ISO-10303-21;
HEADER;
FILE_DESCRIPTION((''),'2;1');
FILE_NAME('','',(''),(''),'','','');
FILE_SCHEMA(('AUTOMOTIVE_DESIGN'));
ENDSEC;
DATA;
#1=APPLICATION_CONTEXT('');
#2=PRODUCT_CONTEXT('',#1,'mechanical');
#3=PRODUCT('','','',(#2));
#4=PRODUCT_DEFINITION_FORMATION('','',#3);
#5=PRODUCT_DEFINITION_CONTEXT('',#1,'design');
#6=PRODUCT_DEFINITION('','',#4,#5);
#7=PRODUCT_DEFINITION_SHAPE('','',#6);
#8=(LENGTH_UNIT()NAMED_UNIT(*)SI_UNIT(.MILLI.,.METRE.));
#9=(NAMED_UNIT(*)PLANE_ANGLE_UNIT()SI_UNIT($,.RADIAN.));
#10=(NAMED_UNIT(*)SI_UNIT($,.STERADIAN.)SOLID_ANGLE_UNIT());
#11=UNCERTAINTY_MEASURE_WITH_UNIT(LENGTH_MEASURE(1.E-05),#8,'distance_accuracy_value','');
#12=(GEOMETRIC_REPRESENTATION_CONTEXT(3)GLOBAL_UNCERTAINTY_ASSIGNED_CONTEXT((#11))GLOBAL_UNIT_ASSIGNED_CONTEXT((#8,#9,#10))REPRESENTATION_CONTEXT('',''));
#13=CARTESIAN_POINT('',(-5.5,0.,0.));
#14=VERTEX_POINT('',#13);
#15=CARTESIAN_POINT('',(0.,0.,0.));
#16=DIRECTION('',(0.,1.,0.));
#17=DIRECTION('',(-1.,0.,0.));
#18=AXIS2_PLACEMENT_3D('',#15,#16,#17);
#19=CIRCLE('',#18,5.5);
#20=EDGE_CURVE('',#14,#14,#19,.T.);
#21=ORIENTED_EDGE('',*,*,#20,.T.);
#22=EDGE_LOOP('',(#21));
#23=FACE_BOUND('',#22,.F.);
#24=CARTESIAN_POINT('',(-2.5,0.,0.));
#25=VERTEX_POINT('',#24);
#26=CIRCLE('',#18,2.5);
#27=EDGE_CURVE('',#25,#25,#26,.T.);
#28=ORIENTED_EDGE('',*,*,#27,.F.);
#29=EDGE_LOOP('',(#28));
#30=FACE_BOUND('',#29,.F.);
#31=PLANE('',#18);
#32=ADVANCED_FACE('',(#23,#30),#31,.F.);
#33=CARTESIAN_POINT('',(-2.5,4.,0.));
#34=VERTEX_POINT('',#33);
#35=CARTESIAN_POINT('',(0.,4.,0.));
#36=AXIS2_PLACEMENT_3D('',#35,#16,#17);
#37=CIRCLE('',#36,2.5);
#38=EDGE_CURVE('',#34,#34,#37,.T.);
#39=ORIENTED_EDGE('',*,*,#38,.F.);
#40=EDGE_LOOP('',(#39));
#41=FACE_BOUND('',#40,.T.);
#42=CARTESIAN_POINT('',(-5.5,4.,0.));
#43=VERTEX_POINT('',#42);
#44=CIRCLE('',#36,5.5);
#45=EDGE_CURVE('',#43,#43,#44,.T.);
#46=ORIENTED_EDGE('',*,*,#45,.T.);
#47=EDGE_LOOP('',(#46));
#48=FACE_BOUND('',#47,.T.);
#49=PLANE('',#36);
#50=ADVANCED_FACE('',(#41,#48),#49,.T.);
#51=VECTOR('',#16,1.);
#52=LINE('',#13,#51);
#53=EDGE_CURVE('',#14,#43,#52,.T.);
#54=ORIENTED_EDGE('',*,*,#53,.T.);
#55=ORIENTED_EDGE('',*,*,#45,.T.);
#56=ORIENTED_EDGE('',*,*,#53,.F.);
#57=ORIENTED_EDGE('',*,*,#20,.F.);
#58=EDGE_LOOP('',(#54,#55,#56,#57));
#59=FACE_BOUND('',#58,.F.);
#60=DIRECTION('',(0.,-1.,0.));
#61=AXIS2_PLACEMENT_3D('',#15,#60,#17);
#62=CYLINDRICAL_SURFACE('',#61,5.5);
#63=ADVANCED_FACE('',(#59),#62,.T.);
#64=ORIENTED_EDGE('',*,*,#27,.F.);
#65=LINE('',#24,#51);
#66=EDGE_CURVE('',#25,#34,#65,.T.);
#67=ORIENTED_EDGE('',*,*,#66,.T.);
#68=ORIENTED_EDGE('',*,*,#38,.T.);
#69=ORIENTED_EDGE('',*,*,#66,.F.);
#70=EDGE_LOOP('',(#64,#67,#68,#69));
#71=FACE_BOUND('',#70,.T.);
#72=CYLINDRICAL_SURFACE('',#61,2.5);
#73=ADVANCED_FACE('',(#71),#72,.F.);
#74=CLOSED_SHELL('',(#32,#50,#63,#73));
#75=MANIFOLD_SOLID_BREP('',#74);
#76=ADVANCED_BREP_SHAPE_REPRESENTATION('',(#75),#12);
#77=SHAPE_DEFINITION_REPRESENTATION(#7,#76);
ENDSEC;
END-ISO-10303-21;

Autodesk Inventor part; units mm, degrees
ref_plane "YZ Plane" through (0, 0, 0) normal (1, 0, 0) x (0, 1, 0)
ref_plane "XZ Plane" through (0, 0, 0) normal (0, 1, 0) x (-1, 0, 0)
ref_plane "XY Plane" through (0, 0, 0) normal (0, 0, 1) x (1, 0, 0)
sketch "Sketch1" plane through (0, 0, 0) normal (0, 1, 0) x (-1, 0, 0)
  circle A0 centre (0, 0) radius 2.5
  circle A1 centre (0, 0) radius 5.5
  dimension "d0" = 5
  dimension "d1" = 11
extrude "Extrusion1" add sketch "Sketch1" along normal blind 4
properties part number "Dud rodamiento" material "Stainless Steel"
